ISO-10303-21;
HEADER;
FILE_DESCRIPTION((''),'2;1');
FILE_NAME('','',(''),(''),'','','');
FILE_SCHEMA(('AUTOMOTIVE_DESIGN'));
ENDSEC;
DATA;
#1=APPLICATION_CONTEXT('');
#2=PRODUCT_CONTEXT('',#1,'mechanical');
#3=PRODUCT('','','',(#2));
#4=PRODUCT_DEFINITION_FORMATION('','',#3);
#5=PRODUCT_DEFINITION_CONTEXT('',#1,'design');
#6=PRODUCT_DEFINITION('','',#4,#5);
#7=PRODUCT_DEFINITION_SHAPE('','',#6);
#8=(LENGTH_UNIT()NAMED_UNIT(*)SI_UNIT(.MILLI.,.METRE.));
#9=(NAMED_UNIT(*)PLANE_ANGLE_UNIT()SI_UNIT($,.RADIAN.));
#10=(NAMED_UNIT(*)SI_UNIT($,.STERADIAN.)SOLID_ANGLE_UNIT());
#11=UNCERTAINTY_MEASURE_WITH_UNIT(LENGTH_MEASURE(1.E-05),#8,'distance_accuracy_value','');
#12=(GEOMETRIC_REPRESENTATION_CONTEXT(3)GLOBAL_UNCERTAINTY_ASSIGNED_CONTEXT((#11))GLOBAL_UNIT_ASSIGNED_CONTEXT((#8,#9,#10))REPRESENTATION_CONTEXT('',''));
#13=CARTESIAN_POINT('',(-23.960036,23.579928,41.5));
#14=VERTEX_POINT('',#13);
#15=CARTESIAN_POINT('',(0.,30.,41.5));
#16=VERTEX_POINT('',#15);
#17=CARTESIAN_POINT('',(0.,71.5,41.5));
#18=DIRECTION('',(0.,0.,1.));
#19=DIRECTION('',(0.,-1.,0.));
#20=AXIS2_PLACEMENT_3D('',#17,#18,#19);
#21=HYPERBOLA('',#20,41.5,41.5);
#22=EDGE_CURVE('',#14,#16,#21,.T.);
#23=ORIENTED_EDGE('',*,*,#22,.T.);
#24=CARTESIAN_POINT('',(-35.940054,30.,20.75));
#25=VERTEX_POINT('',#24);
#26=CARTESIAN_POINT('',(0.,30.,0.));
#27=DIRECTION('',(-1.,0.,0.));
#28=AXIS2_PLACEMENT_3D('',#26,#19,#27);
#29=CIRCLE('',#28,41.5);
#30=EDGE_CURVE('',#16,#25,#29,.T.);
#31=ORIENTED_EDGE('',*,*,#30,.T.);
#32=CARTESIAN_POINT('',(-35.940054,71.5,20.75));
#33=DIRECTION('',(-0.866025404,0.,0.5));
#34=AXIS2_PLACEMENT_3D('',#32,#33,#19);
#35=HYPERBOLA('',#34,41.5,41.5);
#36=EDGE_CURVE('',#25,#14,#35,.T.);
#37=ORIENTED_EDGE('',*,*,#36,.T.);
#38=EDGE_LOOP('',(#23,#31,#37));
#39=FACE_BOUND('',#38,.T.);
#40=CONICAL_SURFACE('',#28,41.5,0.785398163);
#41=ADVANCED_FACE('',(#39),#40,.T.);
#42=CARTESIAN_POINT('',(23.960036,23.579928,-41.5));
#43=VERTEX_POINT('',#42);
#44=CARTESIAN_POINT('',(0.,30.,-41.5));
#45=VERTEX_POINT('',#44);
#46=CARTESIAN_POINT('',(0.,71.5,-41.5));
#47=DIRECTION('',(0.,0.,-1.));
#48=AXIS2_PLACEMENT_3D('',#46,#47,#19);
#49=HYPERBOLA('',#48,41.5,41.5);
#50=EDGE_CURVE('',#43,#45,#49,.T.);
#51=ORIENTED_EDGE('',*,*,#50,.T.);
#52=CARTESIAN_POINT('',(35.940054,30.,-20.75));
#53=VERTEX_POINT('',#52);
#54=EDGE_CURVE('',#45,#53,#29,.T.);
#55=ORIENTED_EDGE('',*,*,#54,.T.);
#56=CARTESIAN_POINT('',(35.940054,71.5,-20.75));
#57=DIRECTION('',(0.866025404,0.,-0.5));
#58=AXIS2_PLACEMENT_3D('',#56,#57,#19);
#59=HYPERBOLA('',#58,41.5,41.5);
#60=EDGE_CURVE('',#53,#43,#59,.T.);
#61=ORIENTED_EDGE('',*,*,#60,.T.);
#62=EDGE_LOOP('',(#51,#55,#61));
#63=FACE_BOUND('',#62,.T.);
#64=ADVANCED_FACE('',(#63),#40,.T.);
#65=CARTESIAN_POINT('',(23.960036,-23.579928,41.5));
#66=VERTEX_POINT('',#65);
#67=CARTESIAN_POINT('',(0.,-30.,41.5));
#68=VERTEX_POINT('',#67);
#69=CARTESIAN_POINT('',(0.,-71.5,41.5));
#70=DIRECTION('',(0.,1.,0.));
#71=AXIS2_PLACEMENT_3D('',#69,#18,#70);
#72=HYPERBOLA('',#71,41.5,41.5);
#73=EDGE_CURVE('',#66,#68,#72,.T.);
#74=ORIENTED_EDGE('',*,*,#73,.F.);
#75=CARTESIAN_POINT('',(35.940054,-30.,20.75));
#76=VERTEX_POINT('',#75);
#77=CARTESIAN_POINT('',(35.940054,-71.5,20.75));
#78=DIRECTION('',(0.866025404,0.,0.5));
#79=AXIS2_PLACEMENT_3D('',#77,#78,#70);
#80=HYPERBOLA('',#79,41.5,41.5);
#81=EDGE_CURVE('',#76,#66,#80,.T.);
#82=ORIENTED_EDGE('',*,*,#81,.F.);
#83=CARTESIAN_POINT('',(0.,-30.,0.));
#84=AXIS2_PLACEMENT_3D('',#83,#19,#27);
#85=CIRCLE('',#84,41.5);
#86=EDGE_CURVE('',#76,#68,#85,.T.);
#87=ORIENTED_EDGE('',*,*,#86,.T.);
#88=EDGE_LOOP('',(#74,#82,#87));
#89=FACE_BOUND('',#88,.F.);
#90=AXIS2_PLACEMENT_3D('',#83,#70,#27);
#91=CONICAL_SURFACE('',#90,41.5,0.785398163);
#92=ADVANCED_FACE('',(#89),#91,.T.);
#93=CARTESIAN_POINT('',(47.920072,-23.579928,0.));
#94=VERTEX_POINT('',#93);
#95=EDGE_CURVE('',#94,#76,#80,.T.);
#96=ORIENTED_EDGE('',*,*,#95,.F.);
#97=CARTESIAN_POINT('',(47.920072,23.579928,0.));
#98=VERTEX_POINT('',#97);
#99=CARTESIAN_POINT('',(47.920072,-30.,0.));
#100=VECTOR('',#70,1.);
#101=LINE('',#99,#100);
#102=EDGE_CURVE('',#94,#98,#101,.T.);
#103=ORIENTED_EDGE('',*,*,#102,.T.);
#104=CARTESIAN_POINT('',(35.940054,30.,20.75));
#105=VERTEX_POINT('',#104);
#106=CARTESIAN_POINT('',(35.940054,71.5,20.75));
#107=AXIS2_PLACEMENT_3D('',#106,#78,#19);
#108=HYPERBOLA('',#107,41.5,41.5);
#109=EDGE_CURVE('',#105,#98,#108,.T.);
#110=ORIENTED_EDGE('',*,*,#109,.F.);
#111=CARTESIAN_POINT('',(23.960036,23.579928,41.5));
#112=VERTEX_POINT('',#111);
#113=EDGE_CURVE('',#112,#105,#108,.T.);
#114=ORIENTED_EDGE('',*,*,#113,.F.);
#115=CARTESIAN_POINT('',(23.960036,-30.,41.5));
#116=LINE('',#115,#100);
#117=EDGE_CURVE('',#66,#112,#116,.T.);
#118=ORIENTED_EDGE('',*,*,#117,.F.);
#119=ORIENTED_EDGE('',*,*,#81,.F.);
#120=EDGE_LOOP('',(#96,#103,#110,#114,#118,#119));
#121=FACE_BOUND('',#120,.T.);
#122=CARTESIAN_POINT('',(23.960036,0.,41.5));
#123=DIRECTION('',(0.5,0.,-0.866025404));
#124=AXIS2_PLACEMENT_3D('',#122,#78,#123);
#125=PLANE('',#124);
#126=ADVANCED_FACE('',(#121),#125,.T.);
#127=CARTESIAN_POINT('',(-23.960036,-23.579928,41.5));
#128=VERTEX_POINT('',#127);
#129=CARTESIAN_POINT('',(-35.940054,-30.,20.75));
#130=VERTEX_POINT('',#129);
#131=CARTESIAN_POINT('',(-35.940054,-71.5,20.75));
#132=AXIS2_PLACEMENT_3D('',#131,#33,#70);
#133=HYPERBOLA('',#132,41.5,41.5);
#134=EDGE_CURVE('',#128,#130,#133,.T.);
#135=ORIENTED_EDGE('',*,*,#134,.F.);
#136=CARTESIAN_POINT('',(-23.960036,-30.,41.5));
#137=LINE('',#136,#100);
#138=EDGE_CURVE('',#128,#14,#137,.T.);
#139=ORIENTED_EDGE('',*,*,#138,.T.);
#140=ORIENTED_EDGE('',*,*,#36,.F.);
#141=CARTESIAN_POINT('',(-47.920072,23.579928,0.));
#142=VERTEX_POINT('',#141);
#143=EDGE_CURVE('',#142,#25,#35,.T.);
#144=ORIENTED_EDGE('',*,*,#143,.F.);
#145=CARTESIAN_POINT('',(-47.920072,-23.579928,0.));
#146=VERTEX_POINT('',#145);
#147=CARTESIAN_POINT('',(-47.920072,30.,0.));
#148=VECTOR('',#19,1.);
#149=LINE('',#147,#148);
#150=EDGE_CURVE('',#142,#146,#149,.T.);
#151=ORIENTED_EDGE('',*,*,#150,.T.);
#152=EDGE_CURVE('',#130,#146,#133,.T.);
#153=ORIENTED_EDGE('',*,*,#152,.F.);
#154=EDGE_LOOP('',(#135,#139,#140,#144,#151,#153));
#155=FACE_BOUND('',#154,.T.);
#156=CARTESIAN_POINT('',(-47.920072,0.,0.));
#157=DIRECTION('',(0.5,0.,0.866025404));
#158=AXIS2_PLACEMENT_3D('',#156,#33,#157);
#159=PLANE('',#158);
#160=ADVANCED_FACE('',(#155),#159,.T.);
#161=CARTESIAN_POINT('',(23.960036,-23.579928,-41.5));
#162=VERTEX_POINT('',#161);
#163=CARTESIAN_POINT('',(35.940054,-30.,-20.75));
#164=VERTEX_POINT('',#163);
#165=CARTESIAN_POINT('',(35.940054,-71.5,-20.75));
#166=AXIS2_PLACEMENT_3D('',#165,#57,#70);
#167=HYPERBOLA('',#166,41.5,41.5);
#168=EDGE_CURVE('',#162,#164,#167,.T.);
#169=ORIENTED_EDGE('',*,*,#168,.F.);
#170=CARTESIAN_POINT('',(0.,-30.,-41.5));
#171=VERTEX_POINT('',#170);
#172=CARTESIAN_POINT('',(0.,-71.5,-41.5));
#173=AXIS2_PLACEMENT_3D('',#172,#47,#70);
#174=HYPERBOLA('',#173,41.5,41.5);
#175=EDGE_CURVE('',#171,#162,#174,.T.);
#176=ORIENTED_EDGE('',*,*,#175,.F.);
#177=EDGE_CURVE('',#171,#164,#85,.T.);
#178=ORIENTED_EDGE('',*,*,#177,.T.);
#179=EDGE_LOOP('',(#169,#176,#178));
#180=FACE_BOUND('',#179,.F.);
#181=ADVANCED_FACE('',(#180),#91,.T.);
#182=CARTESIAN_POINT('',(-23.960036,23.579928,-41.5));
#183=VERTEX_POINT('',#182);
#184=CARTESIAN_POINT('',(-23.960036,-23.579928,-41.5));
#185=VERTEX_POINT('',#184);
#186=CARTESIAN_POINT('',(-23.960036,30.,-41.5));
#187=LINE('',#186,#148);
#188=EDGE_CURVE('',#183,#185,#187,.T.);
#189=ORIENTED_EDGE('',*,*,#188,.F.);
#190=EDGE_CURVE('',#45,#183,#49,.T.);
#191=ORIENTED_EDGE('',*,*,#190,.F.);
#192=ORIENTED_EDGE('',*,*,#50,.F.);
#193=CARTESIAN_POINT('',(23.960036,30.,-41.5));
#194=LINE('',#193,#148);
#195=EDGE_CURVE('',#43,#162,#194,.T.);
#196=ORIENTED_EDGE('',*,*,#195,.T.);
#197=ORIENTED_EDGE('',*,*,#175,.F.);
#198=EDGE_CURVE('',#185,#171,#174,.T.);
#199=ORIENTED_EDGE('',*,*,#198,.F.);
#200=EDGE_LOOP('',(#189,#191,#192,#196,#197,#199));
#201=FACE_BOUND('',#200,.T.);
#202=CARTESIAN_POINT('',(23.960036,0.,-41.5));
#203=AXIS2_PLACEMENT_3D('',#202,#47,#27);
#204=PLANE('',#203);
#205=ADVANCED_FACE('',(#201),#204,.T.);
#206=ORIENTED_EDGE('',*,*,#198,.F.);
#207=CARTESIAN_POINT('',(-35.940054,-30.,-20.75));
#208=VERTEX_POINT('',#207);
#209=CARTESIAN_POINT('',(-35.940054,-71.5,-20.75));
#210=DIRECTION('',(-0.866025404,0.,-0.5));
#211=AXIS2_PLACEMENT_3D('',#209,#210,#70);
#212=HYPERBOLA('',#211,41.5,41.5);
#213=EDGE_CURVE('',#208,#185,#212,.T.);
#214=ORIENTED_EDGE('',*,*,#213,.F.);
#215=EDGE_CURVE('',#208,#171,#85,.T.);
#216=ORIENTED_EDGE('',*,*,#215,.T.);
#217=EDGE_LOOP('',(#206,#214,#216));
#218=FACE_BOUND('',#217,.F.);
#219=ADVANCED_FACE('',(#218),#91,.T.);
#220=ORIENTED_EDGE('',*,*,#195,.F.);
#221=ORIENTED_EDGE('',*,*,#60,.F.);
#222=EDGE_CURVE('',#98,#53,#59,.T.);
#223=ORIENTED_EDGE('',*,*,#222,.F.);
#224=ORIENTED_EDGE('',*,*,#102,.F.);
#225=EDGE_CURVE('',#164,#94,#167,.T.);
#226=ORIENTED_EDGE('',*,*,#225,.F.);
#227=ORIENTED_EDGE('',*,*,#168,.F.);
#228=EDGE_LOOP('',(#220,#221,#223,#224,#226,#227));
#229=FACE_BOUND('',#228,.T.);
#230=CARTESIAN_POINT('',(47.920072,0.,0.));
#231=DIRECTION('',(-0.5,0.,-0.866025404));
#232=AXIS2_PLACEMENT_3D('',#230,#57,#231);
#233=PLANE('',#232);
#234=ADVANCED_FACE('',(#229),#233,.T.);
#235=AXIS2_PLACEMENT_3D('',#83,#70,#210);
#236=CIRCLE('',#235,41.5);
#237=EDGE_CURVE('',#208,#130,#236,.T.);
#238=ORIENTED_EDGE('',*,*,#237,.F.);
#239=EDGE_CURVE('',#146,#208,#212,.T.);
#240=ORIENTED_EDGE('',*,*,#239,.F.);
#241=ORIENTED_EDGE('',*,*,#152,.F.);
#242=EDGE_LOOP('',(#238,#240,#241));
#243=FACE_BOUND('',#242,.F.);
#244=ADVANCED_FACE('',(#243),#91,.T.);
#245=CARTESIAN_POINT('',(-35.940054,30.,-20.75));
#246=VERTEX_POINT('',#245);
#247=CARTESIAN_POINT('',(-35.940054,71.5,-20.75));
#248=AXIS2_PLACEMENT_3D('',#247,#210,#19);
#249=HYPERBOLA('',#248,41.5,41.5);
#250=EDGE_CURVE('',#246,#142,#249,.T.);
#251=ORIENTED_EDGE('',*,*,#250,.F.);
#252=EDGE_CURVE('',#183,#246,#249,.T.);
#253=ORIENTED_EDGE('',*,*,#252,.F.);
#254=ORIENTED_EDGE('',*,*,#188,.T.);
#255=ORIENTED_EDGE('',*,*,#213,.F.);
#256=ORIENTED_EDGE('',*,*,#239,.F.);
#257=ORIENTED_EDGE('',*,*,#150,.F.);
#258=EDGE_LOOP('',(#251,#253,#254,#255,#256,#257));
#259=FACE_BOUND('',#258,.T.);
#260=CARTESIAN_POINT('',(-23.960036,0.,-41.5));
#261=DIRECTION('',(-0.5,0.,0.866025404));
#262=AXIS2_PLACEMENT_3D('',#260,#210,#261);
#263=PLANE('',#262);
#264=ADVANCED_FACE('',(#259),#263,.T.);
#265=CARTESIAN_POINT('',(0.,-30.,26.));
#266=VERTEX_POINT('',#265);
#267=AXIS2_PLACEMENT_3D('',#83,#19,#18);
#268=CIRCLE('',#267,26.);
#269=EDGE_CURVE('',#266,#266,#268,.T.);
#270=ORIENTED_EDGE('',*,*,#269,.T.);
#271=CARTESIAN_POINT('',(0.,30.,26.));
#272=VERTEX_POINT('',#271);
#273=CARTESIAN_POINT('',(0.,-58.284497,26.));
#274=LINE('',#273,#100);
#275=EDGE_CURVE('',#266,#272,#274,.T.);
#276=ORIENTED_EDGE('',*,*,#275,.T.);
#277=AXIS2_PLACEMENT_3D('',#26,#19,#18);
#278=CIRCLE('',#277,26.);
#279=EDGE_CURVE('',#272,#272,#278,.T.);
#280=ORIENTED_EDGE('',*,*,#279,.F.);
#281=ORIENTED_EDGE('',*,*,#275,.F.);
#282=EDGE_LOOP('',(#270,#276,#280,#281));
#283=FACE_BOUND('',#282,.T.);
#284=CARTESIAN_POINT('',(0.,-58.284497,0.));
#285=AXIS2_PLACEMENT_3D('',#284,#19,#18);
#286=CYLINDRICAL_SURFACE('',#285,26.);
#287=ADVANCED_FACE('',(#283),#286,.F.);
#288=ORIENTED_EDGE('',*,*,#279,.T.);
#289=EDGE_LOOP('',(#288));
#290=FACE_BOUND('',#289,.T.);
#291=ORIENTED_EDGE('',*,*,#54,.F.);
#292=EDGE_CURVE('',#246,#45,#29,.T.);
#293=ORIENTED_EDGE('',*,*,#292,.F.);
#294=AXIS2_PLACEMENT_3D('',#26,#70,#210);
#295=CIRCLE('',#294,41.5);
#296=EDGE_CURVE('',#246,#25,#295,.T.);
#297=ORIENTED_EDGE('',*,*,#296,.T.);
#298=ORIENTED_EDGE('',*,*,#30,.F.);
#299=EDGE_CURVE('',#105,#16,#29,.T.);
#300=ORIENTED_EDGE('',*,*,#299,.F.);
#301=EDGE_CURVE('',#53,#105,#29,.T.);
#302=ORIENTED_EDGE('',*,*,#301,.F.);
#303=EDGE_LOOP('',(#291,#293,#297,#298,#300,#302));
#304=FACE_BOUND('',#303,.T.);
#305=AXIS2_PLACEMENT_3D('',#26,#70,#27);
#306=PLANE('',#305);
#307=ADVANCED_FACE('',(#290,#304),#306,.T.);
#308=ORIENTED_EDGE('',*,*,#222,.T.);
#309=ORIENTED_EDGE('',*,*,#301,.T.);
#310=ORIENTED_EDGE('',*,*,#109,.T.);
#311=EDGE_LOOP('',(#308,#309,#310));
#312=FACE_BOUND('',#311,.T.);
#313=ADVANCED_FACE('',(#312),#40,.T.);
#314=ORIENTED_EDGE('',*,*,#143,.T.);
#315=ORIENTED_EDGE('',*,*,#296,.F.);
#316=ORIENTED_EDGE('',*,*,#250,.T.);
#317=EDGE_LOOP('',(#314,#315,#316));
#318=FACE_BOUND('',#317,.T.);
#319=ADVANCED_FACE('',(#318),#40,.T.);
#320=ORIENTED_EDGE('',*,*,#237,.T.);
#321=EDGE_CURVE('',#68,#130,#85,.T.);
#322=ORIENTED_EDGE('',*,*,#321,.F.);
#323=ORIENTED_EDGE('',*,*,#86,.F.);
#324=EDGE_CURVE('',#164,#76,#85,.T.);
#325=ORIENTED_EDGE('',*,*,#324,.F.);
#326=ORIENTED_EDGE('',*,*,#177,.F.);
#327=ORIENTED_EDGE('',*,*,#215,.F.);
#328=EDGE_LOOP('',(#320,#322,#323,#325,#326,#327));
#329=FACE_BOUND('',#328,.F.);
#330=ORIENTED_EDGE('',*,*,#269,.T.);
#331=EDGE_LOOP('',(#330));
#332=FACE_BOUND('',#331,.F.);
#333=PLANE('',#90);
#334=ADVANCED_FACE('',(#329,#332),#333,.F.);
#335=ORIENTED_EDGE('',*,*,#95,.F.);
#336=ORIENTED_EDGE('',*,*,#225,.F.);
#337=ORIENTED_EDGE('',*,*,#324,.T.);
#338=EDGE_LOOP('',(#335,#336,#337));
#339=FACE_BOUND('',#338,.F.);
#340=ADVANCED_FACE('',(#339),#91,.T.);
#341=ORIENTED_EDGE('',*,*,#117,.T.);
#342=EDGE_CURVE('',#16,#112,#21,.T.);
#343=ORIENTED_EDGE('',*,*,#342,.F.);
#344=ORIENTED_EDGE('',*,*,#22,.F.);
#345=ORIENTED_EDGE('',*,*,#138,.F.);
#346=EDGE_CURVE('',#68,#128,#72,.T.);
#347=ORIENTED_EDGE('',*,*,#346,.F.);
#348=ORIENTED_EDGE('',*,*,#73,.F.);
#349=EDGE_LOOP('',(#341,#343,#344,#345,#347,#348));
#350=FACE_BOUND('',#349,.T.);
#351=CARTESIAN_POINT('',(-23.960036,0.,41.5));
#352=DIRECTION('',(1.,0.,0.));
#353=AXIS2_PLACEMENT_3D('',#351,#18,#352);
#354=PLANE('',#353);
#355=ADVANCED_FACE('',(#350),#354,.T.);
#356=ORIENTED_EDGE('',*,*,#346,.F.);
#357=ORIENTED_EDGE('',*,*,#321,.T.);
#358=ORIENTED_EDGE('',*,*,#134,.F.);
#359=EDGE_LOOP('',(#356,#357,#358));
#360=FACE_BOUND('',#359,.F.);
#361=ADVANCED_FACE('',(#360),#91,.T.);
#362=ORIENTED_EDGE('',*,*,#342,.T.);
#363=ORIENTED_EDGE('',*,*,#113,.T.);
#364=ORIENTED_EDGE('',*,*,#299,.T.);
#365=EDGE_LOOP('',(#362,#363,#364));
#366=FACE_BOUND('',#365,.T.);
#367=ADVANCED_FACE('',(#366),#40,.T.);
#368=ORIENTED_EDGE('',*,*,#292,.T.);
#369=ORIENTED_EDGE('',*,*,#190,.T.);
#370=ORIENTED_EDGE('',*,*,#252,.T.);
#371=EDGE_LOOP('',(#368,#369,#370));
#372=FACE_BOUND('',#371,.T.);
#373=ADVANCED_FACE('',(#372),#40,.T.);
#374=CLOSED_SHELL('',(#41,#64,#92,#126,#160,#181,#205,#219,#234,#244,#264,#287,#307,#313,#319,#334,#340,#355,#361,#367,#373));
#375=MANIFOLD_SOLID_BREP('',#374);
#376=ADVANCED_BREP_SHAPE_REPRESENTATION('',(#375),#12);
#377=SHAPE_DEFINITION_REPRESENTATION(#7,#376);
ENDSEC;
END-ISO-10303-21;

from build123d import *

# Parameters (mm, degrees)
BOSS_EXTRUDE1_DEPTH          = 30
CUT_EXTRUDE1_DEPTH           = 88.284496523
CUT_EXTRUDE1_DEPTH_BACK      = 88.284496523
SKETCH2_R                    = 26
SKETCH3_OUTSIDE_W            = 302.462
SKETCH3_OUTSIDE_H            = 289.622
SKETCH3_OUTSIDE_R            = 41.5
CUT_EXTRUDE2_DEPTH           = 88.284496523
CUT_EXTRUDE2_TAPER           = 45
CUT_EXTRUDE2_OTHER_WAY_DEPTH = 88.284496523


with BuildPart() as part:
    # Sketch1 → Boss-Extrude1 (new, symmetric)
    with BuildSketch(Plane(origin=(0, 0, 0), x_dir=(-1, 0, 0), z_dir=(0, 1, 0))):
        Polygon((47.920072343, 0), (23.960036171, 41.5), (-23.960036171, 41.5), (-47.920072343, 0), (-23.960036171, -41.5), (23.960036171, -41.5), align=None)
    extrude(amount=BOSS_EXTRUDE1_DEPTH, both=True)

    # Sketch2 → Cut-Extrude1 (cut, two sides: drawn at the far end of the back side and taken through both)
    with BuildSketch(Plane(origin=(0, 30, 0), x_dir=(-1, 0, 0), z_dir=(0, 1, 0)).offset(-CUT_EXTRUDE1_DEPTH_BACK)):
        with Locations(Location((0, 0, 0), (0, 0, 90))):
            Circle(SKETCH2_R)
    extrude(amount=CUT_EXTRUDE1_DEPTH + CUT_EXTRUDE1_DEPTH_BACK, mode=Mode.SUBTRACT)

    # Sketch3 outside → Cut-Extrude2 (cut)
    with BuildSketch(Plane(origin=(0, 30, 0), x_dir=(-1, 0, 0), z_dir=(0, 1, 0))):
        Rectangle(SKETCH3_OUTSIDE_W, SKETCH3_OUTSIDE_H)
        Circle(SKETCH3_OUTSIDE_R, mode=Mode.SUBTRACT)
    cut_extrude2 = extrude(amount=-CUT_EXTRUDE2_DEPTH, taper=CUT_EXTRUDE2_TAPER, mode=Mode.SUBTRACT)

    # Sketch3 outside → Cut-Extrude2 other way (cut)
    with BuildSketch(Plane(origin=(0, 30, 0), x_dir=(-1, 0, 0), z_dir=(0, 1, 0))):
        Rectangle(SKETCH3_OUTSIDE_W, SKETCH3_OUTSIDE_H)
        Circle(SKETCH3_OUTSIDE_R, mode=Mode.SUBTRACT)
    extrude(amount=CUT_EXTRUDE2_OTHER_WAY_DEPTH, mode=Mode.SUBTRACT)

    # Mirror1: Cut-Extrude2 across plane
    add(cut_extrude2.mirror(Plane.ZX), mode=Mode.SUBTRACT)


solid = part.part
